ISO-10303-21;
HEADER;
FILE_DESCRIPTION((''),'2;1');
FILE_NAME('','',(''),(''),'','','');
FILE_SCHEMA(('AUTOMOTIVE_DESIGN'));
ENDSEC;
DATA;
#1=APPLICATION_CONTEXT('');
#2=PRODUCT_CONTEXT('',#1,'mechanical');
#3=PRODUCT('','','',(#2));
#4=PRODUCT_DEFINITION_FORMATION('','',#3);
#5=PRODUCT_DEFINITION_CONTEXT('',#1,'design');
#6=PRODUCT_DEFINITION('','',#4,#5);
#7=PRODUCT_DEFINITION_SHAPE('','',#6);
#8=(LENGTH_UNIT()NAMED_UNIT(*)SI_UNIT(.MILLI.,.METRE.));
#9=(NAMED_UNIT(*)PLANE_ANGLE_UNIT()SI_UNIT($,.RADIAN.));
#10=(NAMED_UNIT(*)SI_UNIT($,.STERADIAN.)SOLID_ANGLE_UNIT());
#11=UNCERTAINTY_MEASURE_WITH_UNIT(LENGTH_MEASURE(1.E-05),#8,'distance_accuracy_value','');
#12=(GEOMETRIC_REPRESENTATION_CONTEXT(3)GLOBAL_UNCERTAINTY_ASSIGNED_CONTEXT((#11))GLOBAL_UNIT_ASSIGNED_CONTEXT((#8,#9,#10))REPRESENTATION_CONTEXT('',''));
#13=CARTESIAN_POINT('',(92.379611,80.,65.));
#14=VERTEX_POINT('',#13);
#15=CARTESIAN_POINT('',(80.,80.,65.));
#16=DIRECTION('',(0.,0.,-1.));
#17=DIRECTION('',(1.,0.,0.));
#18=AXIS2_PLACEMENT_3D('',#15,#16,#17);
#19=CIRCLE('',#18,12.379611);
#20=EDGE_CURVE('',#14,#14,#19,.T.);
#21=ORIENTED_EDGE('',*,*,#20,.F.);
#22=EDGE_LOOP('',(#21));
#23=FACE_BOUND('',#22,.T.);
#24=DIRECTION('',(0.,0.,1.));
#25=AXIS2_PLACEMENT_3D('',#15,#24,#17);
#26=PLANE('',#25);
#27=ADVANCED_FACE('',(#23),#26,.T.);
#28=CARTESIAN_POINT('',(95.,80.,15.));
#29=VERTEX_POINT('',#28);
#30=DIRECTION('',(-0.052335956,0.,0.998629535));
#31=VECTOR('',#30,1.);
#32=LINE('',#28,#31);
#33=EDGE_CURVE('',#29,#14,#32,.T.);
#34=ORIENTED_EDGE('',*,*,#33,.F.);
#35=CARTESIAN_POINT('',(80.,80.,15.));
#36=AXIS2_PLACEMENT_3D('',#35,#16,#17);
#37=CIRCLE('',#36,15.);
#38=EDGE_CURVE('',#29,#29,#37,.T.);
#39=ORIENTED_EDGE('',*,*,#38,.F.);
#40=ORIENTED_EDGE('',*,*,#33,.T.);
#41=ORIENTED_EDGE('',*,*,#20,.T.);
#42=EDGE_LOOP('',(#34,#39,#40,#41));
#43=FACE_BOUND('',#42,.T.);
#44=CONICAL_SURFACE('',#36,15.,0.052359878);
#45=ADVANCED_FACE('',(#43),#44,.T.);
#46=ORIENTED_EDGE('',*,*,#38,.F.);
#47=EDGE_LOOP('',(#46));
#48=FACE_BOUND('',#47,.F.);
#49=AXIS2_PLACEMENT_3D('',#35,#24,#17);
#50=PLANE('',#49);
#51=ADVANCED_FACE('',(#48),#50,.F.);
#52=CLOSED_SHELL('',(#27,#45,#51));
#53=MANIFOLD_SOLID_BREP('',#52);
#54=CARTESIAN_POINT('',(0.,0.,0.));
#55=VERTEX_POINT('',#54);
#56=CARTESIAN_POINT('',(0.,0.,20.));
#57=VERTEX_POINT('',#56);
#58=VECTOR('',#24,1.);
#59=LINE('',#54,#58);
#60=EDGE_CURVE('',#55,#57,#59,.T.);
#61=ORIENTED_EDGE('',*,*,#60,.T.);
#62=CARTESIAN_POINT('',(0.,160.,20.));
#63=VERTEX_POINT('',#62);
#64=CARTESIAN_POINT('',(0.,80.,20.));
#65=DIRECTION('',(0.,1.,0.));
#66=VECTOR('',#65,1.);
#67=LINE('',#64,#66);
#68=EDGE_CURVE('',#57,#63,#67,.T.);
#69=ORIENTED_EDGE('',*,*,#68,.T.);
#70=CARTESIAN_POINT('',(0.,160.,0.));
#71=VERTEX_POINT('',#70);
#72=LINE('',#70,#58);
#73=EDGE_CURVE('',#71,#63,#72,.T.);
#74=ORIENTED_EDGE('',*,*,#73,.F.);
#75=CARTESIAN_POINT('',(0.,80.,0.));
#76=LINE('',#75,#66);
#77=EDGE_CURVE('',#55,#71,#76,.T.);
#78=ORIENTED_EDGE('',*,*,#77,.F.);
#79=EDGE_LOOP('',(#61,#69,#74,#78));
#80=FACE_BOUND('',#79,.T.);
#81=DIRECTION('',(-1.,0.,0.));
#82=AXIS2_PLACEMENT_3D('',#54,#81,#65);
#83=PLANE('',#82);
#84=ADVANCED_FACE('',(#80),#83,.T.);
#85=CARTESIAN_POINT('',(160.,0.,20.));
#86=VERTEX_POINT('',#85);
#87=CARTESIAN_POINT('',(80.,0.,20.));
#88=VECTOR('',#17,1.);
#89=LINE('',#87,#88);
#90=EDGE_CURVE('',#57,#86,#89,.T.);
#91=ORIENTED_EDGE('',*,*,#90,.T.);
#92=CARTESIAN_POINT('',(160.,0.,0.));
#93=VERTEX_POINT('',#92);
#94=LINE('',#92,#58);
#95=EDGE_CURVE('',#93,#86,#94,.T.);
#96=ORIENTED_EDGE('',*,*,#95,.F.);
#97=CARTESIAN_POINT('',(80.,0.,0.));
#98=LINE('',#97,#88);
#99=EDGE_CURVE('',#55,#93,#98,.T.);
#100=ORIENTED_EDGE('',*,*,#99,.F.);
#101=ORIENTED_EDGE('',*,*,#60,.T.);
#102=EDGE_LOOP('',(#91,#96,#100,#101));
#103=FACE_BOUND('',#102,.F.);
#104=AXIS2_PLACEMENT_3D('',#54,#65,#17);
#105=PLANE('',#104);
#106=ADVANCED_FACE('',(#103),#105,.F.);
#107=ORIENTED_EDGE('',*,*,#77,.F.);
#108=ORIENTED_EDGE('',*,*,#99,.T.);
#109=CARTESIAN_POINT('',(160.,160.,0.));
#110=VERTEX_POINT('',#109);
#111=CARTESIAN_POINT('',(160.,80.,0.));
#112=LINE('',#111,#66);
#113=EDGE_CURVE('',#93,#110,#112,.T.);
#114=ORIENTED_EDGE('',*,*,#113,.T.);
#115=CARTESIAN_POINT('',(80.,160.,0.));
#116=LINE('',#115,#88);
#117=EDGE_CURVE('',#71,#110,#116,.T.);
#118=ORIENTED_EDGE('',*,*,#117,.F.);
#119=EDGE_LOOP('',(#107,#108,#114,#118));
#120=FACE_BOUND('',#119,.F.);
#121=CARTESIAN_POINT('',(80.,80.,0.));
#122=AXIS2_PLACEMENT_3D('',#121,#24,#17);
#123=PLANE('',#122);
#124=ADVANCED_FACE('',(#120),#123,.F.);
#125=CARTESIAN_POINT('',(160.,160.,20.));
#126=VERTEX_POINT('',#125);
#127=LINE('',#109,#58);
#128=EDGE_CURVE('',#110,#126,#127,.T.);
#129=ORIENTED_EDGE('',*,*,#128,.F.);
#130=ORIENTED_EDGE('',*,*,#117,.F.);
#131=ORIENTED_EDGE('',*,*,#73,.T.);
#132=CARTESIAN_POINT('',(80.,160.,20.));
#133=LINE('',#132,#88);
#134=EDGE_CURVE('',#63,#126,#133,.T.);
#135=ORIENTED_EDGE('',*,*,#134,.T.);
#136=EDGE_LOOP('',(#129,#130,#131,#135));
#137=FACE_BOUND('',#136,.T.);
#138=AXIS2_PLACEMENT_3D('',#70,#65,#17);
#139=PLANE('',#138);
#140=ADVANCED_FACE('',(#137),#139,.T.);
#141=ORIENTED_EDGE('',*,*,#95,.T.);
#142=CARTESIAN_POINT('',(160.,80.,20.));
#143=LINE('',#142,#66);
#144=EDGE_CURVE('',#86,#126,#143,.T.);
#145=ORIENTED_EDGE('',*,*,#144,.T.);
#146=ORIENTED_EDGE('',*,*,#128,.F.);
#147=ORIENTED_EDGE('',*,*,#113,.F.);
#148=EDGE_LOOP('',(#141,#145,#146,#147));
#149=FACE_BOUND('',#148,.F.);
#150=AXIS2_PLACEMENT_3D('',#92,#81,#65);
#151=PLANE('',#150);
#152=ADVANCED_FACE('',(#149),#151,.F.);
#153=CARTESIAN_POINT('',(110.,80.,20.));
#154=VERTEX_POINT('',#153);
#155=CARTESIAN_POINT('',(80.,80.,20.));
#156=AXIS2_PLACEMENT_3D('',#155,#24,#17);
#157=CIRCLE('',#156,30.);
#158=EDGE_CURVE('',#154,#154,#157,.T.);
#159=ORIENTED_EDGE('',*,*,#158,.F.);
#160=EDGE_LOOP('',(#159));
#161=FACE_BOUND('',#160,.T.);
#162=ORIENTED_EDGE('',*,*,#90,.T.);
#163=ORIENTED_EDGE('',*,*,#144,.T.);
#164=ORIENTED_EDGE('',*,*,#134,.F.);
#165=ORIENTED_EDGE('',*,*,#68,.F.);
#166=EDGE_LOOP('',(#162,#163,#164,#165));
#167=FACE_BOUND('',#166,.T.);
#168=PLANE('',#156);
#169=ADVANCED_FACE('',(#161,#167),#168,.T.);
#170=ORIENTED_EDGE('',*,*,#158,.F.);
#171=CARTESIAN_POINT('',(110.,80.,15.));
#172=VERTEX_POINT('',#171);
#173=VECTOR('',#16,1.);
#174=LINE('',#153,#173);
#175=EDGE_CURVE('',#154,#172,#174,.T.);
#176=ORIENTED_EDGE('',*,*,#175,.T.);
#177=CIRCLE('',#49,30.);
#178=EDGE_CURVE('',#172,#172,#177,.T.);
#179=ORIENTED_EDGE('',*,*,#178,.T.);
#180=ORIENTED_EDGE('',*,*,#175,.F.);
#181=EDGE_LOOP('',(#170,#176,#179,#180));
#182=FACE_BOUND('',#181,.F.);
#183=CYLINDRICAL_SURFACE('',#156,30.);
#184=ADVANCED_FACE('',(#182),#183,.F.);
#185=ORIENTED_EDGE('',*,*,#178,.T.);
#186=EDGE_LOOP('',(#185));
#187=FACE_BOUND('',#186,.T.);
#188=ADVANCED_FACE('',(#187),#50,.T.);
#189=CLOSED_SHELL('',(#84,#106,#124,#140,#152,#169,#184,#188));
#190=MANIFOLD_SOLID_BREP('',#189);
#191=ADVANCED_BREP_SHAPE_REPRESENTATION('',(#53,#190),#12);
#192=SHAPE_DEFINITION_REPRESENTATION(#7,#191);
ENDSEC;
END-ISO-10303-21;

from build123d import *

# Parameters (mm, degrees)
F0_W     = 160
F0_H     = 160
F1_DEPTH = 20
F2_R     = 30
F3_DEPTH = 5
F4_R     = 15
F5_DEPTH = 50
F5_TAPER = 3


with BuildPart() as f1:
    # F0 (on Top) → F1 (new body)
    with BuildSketch(Plane.XY):
        with Locations((80, 80)):
            Rectangle(F0_W, F0_H)
    extrude(amount=F1_DEPTH)

    # F2 (on face) → F3 (cut)
    with BuildSketch(Plane.XY.offset(20)):
        with Locations((80, 80)):
            Circle(F2_R)
    extrude(amount=-F3_DEPTH, mode=Mode.SUBTRACT)


with BuildPart() as f5:
    # F4 (on face) → F5 (new body)
    with BuildSketch(Plane.XY.offset(15)):
        with Locations((80, 80)):
            Circle(F4_R)
    extrude(amount=F5_DEPTH, taper=F5_TAPER)


solid = Compound([f1.part, f5.part])
